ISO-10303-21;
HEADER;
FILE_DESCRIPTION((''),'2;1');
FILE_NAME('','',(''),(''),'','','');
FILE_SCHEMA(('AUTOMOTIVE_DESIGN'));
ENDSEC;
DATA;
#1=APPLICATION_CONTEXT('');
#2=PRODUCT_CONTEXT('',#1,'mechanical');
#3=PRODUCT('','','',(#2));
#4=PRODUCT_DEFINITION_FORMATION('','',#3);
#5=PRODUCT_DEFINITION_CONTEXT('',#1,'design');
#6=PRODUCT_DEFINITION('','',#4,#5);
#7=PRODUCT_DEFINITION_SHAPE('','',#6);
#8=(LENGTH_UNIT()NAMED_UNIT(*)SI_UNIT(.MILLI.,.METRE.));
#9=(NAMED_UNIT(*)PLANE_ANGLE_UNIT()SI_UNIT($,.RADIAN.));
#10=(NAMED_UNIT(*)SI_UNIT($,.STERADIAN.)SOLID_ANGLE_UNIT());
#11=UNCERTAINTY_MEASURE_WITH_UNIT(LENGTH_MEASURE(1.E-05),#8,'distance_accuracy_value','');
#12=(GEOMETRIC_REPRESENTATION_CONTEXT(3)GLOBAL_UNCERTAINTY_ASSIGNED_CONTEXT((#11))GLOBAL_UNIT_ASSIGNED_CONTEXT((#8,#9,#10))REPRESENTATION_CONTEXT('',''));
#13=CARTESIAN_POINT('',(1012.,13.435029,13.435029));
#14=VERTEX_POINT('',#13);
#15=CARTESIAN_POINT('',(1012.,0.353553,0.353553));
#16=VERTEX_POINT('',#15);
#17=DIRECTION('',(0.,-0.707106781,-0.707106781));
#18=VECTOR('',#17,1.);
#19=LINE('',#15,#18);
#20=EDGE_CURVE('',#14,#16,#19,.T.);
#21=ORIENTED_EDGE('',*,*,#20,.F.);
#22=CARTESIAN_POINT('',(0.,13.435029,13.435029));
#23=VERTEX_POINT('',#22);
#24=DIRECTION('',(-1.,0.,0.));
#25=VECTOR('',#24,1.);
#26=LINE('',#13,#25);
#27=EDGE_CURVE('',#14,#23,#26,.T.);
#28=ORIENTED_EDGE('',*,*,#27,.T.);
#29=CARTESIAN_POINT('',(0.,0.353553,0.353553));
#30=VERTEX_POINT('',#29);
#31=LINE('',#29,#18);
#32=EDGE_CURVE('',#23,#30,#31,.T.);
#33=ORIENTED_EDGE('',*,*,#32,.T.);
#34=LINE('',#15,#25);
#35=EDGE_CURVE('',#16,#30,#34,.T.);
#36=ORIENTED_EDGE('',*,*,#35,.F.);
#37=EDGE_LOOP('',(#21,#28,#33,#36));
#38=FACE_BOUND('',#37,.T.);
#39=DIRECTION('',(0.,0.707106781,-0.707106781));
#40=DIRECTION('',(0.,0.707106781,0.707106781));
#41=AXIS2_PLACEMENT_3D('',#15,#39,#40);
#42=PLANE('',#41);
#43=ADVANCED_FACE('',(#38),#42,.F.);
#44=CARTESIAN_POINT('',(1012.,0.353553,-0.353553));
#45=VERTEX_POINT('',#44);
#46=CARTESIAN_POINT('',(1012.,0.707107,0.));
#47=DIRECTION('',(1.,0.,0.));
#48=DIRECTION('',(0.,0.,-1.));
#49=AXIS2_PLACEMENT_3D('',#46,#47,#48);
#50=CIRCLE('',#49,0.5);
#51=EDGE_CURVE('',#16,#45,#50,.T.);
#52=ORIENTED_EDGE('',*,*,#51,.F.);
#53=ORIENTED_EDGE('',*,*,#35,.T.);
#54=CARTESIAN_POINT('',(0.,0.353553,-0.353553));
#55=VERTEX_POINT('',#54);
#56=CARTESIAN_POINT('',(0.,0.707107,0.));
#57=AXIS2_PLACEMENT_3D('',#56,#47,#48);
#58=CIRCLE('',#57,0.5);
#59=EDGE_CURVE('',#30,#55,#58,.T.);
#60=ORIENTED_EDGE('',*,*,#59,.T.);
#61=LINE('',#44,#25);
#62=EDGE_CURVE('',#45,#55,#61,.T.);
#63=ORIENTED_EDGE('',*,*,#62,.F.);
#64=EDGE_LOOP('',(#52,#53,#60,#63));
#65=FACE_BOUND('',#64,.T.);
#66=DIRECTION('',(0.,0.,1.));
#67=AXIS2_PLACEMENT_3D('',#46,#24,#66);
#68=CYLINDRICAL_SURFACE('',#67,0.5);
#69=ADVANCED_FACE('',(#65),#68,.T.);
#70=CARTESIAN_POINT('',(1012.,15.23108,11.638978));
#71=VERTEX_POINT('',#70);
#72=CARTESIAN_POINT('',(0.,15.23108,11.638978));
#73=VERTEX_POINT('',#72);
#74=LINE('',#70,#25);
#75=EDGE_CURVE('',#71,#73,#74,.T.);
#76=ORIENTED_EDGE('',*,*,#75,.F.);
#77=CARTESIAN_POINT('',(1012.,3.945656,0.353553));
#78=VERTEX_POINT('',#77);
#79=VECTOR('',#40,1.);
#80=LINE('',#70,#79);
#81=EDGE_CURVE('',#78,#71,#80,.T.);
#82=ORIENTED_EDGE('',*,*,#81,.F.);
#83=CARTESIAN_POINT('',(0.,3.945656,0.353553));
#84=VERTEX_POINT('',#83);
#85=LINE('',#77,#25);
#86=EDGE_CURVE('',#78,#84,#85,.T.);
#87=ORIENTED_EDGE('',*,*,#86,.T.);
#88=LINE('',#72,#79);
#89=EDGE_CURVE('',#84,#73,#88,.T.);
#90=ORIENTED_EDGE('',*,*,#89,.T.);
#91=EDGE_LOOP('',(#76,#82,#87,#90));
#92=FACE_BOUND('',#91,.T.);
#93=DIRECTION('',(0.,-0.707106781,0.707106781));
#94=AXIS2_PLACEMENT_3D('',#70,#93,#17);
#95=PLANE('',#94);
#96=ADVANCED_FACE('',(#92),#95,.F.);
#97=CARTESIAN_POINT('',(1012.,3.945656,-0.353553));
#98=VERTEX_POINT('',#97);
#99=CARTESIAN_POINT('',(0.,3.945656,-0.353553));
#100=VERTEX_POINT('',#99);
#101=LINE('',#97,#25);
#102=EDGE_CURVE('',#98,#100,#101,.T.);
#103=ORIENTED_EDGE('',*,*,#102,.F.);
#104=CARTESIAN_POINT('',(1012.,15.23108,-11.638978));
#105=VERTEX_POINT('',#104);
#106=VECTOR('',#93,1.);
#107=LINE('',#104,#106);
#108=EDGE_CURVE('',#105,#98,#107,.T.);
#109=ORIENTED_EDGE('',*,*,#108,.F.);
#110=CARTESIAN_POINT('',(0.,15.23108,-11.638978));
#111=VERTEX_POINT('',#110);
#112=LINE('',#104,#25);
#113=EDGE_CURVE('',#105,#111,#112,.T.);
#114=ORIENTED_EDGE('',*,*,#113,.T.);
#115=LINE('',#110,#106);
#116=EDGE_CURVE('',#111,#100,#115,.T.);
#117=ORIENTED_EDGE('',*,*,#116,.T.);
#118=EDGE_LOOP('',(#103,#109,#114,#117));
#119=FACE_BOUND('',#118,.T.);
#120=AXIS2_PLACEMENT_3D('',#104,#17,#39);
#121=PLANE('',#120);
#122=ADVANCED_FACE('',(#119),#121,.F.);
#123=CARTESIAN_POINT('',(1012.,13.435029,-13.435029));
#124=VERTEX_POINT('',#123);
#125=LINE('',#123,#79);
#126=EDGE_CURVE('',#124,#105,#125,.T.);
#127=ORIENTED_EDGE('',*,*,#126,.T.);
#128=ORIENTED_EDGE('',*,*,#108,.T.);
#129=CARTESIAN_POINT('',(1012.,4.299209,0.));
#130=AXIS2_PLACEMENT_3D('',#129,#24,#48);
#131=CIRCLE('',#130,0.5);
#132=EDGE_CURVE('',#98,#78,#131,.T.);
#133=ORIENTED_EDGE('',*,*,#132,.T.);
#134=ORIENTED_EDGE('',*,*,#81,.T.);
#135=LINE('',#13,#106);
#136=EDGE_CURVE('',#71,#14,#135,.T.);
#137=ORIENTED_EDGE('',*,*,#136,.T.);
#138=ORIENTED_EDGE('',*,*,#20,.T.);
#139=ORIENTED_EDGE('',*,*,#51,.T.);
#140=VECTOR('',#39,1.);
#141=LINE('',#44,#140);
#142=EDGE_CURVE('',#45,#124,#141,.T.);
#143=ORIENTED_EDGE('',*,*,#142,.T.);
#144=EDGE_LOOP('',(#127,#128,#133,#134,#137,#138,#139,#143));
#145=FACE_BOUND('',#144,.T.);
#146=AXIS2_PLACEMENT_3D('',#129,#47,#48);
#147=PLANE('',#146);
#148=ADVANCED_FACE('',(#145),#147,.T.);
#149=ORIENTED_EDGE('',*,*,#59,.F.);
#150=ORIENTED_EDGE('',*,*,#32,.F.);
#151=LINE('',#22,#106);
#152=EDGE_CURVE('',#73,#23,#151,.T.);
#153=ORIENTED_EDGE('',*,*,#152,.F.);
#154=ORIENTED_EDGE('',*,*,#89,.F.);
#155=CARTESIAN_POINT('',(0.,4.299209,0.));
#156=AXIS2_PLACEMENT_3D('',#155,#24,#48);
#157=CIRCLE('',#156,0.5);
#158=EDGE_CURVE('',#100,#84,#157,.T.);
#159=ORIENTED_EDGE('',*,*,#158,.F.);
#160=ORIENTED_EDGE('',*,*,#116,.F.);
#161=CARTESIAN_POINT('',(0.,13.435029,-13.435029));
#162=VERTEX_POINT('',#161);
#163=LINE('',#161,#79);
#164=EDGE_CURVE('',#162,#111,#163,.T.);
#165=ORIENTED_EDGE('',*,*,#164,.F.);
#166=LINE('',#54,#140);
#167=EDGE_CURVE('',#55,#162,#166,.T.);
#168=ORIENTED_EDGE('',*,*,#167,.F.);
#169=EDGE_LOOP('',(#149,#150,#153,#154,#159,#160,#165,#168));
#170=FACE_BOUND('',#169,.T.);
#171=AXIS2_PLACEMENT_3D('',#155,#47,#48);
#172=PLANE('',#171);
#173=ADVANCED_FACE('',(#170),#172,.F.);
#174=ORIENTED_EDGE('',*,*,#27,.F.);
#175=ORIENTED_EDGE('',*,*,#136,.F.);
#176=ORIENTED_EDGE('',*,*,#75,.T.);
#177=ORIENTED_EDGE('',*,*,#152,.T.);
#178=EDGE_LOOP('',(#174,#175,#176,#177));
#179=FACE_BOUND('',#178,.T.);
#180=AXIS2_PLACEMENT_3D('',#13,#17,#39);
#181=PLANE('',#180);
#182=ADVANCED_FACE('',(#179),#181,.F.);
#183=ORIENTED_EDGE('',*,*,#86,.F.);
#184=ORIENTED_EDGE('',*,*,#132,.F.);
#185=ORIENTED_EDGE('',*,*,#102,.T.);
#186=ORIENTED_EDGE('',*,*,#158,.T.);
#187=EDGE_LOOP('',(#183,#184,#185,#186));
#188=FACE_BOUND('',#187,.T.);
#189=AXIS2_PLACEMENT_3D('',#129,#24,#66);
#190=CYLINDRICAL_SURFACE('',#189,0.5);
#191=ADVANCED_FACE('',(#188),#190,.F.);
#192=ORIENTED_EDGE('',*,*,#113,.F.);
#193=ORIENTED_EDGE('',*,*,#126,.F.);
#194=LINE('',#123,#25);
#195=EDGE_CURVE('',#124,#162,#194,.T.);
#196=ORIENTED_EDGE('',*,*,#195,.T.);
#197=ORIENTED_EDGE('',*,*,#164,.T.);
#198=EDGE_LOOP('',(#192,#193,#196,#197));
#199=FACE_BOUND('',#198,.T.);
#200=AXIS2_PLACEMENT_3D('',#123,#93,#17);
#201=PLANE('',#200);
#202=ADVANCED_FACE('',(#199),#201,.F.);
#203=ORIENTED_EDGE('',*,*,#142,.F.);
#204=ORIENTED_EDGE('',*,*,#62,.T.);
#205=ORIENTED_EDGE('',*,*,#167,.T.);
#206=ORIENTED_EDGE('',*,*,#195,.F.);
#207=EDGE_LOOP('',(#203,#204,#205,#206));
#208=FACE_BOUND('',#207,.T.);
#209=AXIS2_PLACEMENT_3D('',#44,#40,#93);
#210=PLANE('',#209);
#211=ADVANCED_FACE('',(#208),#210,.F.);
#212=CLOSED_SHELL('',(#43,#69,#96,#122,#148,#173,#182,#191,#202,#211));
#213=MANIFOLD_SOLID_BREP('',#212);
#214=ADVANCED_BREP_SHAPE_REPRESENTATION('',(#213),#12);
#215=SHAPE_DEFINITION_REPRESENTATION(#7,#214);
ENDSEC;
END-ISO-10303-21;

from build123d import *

# Parameters (mm, degrees)
BOSS_EXTRUDE1_DEPTH = 1012


with BuildPart() as part:
    # Sketch1 → Boss-Extrude1 (new body)
    with BuildSketch(Plane(origin=(0, 0, 0), x_dir=(0, 0, -1), z_dir=(1, 0, 0))):
        with BuildLine():
            Line((0.353553391, 0.353553391), (13.435028843, 13.435028843))
            Line((13.435028843, 13.435028843), (11.638977618, 15.231080067))
            Line((11.638977618, 15.231080067), (0.353553391, 3.945655839))
            ThreePointArc((0.353553391, 3.945655839), (0, 3.79920923), (-0.353553391, 3.945655839))
            Line((-0.353553391, 3.945655839), (-11.638977618, 15.231080067))
            Line((-11.638977618, 15.231080067), (-13.435028843, 13.435028843))
            Line((-13.435028843, 13.435028843), (-0.353553391, 0.353553391))
            ThreePointArc((-0.353553391, 0.353553391), (0, 0.207106781), (0.353553391, 0.353553391))
        make_face()
    extrude(amount=BOSS_EXTRUDE1_DEPTH)


solid = part.part
